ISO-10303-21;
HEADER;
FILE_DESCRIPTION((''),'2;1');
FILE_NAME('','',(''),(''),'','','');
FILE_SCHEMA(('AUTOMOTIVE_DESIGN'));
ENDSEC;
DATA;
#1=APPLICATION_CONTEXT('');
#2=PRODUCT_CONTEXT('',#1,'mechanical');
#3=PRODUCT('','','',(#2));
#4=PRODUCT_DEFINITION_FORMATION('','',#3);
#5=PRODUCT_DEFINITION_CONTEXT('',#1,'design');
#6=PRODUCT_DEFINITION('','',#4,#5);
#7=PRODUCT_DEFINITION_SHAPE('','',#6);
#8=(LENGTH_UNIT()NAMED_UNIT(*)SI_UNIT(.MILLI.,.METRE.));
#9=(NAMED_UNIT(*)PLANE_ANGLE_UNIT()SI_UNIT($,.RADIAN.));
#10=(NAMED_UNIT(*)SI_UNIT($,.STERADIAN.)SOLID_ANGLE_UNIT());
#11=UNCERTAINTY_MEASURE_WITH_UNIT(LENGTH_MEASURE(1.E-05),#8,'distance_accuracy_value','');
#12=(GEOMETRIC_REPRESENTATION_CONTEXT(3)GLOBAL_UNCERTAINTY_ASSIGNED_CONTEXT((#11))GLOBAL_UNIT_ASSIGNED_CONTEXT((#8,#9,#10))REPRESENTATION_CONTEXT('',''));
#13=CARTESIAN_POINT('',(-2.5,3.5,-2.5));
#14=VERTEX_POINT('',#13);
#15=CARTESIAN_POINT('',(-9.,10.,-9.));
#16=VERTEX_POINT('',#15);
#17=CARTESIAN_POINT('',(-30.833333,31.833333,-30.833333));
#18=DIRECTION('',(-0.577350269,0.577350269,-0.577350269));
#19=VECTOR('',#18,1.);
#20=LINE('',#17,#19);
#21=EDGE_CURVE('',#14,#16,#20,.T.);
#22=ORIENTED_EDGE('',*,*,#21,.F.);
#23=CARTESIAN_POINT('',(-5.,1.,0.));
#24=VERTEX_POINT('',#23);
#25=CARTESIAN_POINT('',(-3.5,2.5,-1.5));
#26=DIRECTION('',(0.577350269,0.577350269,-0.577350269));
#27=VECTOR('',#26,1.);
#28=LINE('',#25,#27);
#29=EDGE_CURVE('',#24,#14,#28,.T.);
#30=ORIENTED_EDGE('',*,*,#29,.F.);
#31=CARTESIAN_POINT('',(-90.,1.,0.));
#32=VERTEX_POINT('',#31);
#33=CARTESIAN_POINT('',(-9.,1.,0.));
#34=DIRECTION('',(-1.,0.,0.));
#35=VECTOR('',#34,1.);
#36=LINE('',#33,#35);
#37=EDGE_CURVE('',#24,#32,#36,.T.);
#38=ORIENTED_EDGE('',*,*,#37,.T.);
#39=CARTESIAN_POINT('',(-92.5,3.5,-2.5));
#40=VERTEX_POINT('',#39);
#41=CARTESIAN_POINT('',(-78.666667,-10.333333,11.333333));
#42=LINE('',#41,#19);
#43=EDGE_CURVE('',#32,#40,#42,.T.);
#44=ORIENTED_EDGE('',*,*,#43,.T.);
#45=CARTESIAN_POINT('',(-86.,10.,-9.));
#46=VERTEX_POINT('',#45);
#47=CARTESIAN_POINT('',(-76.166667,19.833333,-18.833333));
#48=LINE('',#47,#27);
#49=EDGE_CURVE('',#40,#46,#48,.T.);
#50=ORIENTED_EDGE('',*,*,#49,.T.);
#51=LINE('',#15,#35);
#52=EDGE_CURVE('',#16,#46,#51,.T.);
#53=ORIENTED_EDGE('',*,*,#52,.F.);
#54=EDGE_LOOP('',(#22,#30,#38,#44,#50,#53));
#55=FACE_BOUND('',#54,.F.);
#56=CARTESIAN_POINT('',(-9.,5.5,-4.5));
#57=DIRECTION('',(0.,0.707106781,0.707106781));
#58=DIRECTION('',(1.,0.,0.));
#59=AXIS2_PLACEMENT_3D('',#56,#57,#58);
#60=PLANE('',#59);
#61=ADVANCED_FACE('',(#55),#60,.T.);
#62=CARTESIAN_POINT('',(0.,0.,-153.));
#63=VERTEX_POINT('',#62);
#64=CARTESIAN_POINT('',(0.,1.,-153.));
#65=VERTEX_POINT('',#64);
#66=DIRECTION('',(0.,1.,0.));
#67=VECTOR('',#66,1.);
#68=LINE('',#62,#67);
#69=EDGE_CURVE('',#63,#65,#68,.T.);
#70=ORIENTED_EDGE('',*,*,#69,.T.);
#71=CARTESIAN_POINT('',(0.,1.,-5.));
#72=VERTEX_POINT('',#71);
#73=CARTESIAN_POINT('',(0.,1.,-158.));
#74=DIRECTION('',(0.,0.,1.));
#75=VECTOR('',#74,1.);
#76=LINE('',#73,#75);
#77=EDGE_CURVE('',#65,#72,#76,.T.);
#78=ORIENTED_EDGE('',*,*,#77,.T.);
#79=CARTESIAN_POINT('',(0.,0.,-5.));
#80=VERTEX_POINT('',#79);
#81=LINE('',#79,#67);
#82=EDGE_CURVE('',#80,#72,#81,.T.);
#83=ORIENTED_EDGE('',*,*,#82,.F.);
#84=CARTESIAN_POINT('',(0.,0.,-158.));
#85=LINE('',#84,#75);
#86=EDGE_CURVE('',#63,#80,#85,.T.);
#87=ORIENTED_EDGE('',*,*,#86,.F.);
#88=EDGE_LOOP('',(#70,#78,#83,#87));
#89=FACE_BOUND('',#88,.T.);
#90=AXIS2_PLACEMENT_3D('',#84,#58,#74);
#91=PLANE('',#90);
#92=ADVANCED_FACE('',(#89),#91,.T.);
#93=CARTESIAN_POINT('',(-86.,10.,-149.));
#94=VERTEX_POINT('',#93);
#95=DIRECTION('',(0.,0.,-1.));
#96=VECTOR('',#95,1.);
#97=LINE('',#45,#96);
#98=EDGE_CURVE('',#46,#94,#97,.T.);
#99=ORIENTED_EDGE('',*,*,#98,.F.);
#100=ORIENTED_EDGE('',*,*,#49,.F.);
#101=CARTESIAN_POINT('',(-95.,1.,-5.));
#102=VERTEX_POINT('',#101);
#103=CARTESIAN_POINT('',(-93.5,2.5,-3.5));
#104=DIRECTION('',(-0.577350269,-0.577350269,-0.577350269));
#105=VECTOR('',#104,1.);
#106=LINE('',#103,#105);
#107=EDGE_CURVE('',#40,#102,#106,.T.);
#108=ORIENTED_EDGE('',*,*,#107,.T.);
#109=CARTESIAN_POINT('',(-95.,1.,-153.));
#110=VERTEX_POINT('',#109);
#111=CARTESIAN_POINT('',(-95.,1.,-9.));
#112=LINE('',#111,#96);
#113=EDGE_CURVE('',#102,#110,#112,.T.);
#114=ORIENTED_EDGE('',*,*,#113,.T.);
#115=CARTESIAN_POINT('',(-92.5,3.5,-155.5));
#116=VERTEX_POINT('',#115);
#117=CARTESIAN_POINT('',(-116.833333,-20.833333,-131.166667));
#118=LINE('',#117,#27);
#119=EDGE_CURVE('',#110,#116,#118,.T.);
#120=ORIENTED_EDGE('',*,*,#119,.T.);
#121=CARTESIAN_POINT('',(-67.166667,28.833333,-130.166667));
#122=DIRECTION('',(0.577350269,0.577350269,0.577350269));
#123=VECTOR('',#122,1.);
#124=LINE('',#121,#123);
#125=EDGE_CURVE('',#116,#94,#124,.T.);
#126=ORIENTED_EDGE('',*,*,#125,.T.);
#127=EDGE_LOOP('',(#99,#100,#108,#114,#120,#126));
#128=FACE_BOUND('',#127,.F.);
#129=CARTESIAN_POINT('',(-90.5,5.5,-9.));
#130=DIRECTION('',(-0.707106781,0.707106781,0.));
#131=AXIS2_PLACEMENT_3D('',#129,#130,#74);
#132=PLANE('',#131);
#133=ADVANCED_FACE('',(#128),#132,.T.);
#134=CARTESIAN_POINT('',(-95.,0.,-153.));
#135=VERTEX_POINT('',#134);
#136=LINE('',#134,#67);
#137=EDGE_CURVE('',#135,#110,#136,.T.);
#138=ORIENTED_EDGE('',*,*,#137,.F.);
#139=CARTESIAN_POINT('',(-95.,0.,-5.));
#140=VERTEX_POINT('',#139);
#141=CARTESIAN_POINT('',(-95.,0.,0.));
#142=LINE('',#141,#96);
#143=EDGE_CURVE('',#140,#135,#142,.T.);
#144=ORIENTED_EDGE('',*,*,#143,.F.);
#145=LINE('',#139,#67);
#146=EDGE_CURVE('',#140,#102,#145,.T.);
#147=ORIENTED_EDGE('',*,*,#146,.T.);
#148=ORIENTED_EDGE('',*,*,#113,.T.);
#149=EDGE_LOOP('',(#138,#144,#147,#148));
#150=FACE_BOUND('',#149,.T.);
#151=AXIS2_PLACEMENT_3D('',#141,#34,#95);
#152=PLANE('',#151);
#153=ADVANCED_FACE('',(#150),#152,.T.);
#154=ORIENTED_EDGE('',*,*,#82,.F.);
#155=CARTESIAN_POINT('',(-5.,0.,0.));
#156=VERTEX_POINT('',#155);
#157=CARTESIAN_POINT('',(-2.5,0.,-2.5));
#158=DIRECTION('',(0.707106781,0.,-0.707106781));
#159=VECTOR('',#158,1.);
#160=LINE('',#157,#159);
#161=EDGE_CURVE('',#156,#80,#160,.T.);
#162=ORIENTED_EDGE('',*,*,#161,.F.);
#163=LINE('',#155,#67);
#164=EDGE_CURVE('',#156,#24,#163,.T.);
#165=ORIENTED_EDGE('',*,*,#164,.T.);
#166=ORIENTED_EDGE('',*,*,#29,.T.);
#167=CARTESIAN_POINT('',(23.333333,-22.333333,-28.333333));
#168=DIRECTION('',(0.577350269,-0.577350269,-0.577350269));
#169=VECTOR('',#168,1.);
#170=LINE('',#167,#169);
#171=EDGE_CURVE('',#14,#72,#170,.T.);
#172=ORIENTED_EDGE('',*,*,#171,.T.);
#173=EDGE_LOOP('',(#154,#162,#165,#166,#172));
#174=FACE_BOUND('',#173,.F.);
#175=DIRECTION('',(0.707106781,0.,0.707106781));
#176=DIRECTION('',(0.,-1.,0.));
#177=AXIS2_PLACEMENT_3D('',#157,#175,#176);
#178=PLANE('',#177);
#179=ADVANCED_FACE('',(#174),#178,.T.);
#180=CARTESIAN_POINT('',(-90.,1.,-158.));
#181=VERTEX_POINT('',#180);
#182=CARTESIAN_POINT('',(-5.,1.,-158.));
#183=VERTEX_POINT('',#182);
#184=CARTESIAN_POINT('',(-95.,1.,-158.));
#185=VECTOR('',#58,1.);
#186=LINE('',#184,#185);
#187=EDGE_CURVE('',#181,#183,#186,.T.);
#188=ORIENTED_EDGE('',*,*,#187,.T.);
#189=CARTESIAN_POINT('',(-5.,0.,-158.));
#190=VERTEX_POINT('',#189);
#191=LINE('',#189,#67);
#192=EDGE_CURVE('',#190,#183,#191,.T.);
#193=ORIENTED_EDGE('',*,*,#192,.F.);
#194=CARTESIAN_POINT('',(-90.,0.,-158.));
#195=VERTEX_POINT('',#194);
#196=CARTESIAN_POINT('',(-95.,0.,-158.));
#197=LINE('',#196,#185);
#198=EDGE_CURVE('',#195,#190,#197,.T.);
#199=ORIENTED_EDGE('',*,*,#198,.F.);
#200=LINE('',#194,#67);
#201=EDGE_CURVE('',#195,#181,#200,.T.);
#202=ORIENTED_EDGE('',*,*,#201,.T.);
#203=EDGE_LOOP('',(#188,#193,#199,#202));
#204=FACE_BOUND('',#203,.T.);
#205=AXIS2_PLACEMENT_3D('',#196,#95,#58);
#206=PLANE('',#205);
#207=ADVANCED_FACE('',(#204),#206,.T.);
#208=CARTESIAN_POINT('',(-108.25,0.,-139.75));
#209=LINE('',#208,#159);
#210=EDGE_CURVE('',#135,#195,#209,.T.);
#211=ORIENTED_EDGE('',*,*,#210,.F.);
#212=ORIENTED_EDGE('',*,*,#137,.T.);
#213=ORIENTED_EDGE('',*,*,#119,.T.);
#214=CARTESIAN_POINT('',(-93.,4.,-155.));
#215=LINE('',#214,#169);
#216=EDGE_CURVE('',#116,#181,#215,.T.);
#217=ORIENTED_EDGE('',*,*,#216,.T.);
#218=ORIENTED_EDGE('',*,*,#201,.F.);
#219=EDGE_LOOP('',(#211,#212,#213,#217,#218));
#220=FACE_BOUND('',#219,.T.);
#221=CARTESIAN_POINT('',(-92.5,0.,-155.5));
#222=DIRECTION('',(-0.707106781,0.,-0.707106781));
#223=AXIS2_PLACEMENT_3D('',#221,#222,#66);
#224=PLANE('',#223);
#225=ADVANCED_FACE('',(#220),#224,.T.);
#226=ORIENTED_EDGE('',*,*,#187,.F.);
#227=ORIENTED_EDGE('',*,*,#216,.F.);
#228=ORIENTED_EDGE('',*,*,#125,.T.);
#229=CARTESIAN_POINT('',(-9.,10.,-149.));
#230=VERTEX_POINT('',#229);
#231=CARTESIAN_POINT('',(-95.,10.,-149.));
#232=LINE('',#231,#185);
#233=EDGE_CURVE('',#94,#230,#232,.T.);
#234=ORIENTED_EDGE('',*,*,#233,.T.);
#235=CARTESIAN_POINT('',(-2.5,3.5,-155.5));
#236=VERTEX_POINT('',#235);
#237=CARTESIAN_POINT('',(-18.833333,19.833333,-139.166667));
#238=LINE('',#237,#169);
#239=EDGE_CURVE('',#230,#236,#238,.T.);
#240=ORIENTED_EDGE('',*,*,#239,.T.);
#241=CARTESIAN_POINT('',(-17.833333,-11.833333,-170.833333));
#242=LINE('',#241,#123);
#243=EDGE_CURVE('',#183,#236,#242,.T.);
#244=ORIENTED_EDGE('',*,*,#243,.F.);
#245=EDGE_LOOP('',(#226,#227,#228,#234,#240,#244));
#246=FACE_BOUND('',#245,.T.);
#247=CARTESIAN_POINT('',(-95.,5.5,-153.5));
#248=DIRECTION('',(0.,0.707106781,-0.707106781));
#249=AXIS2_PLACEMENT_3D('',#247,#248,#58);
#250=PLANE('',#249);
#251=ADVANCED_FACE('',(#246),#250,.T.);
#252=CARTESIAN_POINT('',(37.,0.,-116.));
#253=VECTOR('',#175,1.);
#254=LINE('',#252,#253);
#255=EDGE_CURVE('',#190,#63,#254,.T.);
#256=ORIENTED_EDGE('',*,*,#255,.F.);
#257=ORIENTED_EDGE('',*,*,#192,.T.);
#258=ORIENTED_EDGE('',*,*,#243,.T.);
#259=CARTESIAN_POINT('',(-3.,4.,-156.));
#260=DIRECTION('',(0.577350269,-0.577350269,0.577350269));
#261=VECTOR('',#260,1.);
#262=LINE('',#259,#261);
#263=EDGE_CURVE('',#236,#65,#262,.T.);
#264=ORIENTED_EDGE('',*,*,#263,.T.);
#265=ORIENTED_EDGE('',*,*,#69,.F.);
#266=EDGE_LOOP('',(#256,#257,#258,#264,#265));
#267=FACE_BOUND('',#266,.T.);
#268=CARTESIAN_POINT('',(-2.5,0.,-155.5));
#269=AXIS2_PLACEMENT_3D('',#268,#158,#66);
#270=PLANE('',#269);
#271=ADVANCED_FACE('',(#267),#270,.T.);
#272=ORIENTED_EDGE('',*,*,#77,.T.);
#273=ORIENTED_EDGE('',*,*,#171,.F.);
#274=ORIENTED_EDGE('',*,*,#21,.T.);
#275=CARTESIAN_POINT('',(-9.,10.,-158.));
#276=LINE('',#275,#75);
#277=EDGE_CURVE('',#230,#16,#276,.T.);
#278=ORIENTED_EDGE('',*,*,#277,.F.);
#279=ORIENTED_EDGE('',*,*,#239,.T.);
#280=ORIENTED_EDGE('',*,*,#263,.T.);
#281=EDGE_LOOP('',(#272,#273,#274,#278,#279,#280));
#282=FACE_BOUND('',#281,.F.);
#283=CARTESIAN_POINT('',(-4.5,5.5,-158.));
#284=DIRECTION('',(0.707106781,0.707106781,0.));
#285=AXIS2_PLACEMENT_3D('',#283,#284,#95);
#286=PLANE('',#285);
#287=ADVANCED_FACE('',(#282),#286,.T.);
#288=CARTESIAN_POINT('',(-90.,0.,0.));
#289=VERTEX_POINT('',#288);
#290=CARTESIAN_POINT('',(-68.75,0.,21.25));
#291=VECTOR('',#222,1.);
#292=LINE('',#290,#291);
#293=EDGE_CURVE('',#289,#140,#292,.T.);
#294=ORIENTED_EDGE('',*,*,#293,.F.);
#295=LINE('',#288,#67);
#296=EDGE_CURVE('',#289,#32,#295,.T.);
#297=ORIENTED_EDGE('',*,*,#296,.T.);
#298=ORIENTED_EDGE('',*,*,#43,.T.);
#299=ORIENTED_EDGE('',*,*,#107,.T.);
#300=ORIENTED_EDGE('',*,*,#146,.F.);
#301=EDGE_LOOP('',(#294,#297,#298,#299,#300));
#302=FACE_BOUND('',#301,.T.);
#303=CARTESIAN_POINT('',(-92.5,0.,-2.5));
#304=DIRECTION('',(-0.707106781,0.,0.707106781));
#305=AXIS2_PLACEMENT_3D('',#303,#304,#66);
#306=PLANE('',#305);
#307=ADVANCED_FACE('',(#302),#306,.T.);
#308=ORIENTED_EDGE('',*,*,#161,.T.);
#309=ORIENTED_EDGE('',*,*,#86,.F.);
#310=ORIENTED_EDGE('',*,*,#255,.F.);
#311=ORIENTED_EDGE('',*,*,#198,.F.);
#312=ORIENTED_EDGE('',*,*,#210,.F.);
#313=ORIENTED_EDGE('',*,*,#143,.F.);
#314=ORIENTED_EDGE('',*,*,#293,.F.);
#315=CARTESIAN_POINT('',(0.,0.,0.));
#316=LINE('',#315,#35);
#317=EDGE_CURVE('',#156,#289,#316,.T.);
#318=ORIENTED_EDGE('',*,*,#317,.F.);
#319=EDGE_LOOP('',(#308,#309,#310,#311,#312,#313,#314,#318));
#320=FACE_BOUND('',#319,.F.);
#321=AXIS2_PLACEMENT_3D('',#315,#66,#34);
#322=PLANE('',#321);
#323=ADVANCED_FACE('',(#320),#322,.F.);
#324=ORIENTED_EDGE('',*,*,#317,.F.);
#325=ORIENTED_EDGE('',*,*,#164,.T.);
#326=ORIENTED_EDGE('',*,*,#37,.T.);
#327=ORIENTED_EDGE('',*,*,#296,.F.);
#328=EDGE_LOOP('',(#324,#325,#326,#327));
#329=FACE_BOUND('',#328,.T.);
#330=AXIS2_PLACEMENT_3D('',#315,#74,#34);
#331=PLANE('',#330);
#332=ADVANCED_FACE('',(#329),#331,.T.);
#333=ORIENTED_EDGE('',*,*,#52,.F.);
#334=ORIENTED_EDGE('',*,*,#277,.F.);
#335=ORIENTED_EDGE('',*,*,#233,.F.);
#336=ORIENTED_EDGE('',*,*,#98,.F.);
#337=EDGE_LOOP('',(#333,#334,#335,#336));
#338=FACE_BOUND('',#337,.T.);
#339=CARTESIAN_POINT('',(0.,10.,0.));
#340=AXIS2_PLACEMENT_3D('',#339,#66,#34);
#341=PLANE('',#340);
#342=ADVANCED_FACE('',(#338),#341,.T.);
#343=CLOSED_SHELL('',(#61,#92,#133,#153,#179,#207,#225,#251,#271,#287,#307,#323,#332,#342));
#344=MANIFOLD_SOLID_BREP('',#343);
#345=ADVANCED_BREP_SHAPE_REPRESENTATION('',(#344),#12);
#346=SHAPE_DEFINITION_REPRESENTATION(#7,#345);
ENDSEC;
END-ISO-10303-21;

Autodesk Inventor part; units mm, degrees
ref_plane "YZ Plane" through (0, 0, 0) normal (1, 0, 0) x (0, 1, 0)
ref_plane "XZ Plane" through (0, 0, 0) normal (0, 1, 0) x (-1, 0, 0)
ref_plane "XY Plane" through (0, 0, 0) normal (0, 0, 1) x (1, 0, 0)
sketch "Эскиз1" plane through (0, 0, 0) normal (0, 1, 0) x (-1, 0, 0)
  line L0 (0, 0) -> (95, 0)
  line L1 (95, 0) -> (95, -158)
  line L2 (95, -158) -> (0, -158)
  line L3 (0, -158) -> (0, 0)
  dimension "d0" = 95
  dimension "d1" = 158
extrude "Выдавливание1" add sketch "Эскиз1" along normal blind 10
chamfer "Фаска1" distance 9 angle 45 1 edges at (0, 10, -79)
chamfer "Фаска2" distance 9 angle 45 1 edges at (-52, 10, 0)
chamfer "Фаска3" distance 9 angle 45 1 edges at (-52, 10, -158)
chamfer "Фаска4" distance 9 angle 45 1 edges at (-95, 10, -79)
chamfer "Фаска5" distance 5 angle 45 1 edges at (0, 0.5, 0)
chamfer "Фаска6" distance 5 angle 45 1 edges at (-95, 0.5, 0)
chamfer "Фаска7" distance 5 angle 45 1 edges at (-95, 0.5, -158)
chamfer "Фаска8" distance 5 angle 45 1 edges at (0, 0.5, -158)
